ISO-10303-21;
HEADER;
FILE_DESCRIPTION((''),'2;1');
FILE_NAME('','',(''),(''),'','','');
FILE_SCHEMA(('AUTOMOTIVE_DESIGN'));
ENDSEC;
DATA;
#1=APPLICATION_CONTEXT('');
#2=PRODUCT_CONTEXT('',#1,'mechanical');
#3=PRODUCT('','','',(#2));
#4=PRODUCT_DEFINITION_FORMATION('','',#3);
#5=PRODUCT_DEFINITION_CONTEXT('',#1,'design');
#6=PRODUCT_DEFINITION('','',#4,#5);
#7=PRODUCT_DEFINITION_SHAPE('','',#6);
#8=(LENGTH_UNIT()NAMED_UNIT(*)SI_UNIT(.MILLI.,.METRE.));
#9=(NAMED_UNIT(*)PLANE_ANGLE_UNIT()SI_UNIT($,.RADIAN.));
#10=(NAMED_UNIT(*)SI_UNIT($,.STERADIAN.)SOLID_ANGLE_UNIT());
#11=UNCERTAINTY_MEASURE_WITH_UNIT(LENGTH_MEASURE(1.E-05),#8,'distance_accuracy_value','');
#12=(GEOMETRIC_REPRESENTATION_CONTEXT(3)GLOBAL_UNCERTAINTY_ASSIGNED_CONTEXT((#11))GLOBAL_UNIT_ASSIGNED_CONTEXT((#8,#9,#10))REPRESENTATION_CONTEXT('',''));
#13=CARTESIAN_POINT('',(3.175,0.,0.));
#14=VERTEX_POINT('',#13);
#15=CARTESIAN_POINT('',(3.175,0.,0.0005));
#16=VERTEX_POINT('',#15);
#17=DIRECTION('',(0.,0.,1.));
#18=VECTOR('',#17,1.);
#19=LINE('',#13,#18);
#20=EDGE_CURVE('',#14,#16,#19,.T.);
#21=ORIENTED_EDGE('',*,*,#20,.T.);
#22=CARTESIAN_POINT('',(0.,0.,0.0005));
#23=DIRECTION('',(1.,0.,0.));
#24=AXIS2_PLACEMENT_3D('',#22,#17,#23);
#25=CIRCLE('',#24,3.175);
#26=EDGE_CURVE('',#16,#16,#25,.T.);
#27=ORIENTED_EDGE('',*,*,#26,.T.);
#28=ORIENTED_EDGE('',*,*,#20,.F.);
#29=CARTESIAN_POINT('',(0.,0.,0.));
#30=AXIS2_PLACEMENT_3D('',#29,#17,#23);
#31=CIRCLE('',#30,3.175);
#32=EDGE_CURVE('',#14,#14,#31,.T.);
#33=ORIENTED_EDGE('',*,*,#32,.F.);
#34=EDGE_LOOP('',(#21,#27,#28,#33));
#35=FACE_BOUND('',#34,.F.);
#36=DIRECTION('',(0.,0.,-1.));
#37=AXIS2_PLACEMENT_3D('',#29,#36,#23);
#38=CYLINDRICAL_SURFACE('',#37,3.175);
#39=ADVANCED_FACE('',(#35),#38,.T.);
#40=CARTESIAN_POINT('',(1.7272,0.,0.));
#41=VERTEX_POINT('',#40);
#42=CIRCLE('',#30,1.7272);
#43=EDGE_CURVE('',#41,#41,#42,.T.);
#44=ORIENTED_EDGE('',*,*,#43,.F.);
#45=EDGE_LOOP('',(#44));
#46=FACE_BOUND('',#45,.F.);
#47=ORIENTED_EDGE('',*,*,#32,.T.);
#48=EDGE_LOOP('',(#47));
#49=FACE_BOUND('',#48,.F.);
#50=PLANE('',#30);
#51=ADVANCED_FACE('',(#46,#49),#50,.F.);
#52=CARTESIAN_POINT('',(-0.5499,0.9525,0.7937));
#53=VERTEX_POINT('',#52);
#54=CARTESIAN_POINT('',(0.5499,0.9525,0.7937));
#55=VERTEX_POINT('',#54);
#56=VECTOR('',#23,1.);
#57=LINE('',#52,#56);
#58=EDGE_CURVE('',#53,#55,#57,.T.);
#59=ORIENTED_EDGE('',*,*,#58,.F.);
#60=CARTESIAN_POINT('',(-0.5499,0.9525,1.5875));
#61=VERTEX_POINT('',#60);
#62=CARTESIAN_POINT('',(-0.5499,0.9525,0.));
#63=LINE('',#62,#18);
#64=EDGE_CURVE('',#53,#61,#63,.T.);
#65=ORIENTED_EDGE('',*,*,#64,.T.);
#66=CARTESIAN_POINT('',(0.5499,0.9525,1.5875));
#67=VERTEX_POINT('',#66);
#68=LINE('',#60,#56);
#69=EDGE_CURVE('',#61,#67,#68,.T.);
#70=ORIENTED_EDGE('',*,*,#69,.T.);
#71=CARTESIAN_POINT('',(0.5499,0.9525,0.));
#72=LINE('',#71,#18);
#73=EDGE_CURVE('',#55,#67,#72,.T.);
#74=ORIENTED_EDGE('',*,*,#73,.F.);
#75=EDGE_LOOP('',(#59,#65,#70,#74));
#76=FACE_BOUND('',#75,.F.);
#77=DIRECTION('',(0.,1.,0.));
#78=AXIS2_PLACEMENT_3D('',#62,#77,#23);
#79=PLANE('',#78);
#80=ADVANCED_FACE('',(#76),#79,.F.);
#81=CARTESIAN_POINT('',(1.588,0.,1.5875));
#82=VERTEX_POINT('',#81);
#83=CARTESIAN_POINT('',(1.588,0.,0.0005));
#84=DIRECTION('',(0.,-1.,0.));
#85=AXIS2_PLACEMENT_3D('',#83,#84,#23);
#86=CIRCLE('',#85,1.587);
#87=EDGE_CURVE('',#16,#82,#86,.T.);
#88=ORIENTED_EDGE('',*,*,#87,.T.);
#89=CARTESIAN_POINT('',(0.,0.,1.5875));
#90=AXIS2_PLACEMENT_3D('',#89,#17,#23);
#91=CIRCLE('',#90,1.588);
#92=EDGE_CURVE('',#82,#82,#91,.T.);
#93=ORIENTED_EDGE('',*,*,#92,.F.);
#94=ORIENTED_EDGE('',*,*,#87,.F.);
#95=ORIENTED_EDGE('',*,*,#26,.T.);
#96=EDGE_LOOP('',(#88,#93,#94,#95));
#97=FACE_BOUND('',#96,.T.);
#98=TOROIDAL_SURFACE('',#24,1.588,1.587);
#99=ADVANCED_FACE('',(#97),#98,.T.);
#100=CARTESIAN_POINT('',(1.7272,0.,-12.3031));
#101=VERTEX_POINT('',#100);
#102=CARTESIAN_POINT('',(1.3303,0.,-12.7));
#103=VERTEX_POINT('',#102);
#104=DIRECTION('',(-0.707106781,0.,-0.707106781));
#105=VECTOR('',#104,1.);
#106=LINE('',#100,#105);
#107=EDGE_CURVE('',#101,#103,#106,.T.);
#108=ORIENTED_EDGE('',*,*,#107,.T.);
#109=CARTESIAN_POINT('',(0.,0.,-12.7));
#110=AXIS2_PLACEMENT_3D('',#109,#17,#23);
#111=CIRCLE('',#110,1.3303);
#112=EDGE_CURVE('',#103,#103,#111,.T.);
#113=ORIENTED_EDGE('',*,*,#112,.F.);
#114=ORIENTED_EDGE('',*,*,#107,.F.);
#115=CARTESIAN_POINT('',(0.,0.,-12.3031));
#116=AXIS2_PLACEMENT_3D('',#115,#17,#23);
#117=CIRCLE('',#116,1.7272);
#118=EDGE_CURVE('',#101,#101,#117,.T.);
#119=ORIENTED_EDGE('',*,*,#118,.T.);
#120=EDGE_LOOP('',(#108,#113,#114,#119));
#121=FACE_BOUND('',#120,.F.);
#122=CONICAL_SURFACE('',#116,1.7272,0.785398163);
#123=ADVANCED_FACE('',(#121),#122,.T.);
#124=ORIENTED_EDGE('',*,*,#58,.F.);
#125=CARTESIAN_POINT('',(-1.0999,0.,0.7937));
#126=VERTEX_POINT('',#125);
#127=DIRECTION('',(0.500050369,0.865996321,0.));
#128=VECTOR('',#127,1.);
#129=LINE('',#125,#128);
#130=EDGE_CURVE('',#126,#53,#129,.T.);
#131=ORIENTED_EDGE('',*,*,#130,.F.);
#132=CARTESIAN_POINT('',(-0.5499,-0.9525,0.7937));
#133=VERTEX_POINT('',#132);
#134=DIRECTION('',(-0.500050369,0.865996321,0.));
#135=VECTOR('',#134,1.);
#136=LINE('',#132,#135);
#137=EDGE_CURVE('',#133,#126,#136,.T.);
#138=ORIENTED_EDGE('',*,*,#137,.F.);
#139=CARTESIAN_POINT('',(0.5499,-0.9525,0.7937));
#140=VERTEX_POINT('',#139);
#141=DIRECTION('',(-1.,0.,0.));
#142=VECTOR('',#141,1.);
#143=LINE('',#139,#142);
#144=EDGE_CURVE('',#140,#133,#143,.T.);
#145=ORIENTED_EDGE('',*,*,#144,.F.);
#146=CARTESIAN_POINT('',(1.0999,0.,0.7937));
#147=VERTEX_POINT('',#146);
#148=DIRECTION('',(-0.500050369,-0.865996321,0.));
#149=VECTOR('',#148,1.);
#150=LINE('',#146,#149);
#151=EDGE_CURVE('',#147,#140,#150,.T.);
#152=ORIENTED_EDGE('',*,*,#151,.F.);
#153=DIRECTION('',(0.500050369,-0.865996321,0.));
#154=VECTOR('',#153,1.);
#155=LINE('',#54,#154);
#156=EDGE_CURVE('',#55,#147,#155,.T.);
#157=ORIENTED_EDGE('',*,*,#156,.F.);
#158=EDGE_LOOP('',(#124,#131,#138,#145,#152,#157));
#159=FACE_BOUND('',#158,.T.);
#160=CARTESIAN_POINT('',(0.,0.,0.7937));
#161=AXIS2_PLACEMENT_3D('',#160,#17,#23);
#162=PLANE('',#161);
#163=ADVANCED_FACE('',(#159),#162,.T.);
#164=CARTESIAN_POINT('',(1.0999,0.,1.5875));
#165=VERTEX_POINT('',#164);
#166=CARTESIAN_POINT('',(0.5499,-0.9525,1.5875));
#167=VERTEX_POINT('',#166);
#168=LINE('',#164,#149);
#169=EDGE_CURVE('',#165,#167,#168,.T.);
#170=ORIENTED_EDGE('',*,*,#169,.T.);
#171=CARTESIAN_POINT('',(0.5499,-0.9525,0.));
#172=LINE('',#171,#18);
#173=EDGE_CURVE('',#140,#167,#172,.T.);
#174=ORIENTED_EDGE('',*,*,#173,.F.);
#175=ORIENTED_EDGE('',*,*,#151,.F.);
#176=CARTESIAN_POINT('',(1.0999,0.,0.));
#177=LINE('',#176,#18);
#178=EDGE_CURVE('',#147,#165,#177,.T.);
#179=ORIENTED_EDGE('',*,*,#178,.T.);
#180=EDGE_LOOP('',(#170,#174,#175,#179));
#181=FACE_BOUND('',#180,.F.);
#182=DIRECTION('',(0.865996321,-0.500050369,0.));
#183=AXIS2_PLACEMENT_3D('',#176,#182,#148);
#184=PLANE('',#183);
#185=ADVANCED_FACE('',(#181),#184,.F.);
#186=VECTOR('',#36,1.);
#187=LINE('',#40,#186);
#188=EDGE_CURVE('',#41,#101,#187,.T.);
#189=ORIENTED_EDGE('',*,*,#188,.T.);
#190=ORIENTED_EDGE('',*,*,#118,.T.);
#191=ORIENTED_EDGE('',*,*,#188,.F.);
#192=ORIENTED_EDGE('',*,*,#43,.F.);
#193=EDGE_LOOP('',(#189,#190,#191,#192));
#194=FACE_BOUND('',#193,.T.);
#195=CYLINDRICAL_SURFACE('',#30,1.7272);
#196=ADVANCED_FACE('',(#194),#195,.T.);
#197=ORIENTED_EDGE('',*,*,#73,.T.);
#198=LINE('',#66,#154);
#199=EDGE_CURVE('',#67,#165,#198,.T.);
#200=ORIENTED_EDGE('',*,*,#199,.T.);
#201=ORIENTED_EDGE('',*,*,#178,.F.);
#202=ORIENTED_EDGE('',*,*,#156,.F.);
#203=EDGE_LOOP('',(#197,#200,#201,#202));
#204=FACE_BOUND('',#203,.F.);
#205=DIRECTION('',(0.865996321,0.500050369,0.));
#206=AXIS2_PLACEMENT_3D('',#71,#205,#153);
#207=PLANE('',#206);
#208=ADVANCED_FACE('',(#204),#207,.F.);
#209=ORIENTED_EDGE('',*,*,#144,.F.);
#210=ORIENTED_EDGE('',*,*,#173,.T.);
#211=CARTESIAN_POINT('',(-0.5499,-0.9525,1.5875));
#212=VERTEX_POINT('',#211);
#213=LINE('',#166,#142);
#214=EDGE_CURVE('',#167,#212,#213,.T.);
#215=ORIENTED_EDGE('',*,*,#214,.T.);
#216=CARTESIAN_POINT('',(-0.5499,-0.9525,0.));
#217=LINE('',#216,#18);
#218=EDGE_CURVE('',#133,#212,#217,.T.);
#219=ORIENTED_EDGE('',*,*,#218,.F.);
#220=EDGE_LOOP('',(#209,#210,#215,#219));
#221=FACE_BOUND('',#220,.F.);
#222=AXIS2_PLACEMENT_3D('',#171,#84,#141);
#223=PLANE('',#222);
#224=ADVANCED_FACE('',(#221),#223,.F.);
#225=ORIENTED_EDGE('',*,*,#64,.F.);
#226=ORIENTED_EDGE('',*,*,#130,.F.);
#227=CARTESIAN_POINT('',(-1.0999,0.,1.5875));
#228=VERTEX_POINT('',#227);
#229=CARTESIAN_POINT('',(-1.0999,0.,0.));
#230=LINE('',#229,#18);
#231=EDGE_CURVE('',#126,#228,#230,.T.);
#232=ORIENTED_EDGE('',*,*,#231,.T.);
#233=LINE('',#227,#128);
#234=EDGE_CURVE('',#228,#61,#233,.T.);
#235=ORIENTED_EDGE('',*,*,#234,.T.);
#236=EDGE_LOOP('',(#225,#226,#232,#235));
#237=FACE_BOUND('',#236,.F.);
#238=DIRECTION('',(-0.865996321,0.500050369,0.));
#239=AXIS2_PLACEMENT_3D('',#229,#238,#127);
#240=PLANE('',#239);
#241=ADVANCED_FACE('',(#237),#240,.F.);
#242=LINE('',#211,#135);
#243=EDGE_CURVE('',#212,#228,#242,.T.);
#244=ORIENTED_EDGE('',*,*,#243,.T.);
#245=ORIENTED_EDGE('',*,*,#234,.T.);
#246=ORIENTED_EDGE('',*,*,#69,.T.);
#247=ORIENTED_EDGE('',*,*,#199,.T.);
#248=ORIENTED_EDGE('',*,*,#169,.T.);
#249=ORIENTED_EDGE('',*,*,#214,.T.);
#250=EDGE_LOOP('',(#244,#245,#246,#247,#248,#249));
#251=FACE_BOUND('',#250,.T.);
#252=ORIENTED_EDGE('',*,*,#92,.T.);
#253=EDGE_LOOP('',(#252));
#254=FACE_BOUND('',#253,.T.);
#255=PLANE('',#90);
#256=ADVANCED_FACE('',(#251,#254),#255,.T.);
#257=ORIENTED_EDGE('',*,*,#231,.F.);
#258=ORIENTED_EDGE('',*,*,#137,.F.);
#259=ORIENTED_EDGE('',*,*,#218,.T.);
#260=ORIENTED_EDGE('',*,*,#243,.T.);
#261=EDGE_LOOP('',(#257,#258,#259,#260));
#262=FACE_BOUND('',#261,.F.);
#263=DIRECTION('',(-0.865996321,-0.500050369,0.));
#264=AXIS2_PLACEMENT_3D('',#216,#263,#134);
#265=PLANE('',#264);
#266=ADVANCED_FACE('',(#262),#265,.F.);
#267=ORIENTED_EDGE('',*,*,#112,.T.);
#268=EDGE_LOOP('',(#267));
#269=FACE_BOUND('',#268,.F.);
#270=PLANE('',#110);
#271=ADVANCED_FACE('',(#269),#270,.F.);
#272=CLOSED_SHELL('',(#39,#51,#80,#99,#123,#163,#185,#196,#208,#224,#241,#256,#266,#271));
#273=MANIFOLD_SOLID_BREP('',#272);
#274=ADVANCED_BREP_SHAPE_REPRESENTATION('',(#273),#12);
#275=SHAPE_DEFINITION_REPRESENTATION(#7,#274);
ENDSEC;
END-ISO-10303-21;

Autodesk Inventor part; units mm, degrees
ref_plane "YZ Plane" through (0, 0, 0) normal (1, 0, 0) x (0, 1, 0)
ref_plane "XZ Plane" through (0, 0, 0) normal (0, 1, 0) x (-1, 0, 0)
ref_plane "XY Plane" through (0, 0, 0) normal (0, 0, 1) x (1, 0, 0)
sketch "Sketch1" plane through (0, 0, 0) normal (0, 0, 1) x (1, 0, 0)
  circle A0 centre (0, 0) radius 3.175
  circle A1 centre (0, 0) radius 1.7272
  line L0 (0.5499, 0.9525) -> (1.0999, 0)
  line L1 (1.0999, 0) -> (0.5499, -0.9525)
  line L2 (0.5499, -0.9525) -> (-0.5499, -0.9525)
  line L3 (-0.5499, -0.9525) -> (-1.0999, 0)
  line L4 (-1.0999, 0) -> (-0.5499, 0.9525)
  line L5 (-0.5499, 0.9525) -> (0.5499, 0.9525)
  dimension "d0" = 3.4544
  dimension "d1" = 6.35
  dimension "d2" = 1.905
extrude "Extrusion1" add sketch "Sketch1" against normal blind 12.7 contours A1 | L0 L1 L2 L3 L4 L5
extrude "Extrusion2" add sketch "Sketch1" along normal blind 1.5875 contours A0 | A1
extrude "Extrusion3" add sketch "Sketch1" along normal blind 0.7937 contours L0 L1 L2 L3 L4 L5
thread "Thread1" size "6-32 UNC" class "2A" standard "ANSI Unified Screw Threads" full length
chamfer "Chamfer1" distance 0.3969 angle 45 1 edges at (-1.7272, 0, -12.7)
fillet "Fillet1" radius 1.5875 1 edges at (-3.175, 0, 1.5875)
properties part number "6 32 bolt 0.5''"
